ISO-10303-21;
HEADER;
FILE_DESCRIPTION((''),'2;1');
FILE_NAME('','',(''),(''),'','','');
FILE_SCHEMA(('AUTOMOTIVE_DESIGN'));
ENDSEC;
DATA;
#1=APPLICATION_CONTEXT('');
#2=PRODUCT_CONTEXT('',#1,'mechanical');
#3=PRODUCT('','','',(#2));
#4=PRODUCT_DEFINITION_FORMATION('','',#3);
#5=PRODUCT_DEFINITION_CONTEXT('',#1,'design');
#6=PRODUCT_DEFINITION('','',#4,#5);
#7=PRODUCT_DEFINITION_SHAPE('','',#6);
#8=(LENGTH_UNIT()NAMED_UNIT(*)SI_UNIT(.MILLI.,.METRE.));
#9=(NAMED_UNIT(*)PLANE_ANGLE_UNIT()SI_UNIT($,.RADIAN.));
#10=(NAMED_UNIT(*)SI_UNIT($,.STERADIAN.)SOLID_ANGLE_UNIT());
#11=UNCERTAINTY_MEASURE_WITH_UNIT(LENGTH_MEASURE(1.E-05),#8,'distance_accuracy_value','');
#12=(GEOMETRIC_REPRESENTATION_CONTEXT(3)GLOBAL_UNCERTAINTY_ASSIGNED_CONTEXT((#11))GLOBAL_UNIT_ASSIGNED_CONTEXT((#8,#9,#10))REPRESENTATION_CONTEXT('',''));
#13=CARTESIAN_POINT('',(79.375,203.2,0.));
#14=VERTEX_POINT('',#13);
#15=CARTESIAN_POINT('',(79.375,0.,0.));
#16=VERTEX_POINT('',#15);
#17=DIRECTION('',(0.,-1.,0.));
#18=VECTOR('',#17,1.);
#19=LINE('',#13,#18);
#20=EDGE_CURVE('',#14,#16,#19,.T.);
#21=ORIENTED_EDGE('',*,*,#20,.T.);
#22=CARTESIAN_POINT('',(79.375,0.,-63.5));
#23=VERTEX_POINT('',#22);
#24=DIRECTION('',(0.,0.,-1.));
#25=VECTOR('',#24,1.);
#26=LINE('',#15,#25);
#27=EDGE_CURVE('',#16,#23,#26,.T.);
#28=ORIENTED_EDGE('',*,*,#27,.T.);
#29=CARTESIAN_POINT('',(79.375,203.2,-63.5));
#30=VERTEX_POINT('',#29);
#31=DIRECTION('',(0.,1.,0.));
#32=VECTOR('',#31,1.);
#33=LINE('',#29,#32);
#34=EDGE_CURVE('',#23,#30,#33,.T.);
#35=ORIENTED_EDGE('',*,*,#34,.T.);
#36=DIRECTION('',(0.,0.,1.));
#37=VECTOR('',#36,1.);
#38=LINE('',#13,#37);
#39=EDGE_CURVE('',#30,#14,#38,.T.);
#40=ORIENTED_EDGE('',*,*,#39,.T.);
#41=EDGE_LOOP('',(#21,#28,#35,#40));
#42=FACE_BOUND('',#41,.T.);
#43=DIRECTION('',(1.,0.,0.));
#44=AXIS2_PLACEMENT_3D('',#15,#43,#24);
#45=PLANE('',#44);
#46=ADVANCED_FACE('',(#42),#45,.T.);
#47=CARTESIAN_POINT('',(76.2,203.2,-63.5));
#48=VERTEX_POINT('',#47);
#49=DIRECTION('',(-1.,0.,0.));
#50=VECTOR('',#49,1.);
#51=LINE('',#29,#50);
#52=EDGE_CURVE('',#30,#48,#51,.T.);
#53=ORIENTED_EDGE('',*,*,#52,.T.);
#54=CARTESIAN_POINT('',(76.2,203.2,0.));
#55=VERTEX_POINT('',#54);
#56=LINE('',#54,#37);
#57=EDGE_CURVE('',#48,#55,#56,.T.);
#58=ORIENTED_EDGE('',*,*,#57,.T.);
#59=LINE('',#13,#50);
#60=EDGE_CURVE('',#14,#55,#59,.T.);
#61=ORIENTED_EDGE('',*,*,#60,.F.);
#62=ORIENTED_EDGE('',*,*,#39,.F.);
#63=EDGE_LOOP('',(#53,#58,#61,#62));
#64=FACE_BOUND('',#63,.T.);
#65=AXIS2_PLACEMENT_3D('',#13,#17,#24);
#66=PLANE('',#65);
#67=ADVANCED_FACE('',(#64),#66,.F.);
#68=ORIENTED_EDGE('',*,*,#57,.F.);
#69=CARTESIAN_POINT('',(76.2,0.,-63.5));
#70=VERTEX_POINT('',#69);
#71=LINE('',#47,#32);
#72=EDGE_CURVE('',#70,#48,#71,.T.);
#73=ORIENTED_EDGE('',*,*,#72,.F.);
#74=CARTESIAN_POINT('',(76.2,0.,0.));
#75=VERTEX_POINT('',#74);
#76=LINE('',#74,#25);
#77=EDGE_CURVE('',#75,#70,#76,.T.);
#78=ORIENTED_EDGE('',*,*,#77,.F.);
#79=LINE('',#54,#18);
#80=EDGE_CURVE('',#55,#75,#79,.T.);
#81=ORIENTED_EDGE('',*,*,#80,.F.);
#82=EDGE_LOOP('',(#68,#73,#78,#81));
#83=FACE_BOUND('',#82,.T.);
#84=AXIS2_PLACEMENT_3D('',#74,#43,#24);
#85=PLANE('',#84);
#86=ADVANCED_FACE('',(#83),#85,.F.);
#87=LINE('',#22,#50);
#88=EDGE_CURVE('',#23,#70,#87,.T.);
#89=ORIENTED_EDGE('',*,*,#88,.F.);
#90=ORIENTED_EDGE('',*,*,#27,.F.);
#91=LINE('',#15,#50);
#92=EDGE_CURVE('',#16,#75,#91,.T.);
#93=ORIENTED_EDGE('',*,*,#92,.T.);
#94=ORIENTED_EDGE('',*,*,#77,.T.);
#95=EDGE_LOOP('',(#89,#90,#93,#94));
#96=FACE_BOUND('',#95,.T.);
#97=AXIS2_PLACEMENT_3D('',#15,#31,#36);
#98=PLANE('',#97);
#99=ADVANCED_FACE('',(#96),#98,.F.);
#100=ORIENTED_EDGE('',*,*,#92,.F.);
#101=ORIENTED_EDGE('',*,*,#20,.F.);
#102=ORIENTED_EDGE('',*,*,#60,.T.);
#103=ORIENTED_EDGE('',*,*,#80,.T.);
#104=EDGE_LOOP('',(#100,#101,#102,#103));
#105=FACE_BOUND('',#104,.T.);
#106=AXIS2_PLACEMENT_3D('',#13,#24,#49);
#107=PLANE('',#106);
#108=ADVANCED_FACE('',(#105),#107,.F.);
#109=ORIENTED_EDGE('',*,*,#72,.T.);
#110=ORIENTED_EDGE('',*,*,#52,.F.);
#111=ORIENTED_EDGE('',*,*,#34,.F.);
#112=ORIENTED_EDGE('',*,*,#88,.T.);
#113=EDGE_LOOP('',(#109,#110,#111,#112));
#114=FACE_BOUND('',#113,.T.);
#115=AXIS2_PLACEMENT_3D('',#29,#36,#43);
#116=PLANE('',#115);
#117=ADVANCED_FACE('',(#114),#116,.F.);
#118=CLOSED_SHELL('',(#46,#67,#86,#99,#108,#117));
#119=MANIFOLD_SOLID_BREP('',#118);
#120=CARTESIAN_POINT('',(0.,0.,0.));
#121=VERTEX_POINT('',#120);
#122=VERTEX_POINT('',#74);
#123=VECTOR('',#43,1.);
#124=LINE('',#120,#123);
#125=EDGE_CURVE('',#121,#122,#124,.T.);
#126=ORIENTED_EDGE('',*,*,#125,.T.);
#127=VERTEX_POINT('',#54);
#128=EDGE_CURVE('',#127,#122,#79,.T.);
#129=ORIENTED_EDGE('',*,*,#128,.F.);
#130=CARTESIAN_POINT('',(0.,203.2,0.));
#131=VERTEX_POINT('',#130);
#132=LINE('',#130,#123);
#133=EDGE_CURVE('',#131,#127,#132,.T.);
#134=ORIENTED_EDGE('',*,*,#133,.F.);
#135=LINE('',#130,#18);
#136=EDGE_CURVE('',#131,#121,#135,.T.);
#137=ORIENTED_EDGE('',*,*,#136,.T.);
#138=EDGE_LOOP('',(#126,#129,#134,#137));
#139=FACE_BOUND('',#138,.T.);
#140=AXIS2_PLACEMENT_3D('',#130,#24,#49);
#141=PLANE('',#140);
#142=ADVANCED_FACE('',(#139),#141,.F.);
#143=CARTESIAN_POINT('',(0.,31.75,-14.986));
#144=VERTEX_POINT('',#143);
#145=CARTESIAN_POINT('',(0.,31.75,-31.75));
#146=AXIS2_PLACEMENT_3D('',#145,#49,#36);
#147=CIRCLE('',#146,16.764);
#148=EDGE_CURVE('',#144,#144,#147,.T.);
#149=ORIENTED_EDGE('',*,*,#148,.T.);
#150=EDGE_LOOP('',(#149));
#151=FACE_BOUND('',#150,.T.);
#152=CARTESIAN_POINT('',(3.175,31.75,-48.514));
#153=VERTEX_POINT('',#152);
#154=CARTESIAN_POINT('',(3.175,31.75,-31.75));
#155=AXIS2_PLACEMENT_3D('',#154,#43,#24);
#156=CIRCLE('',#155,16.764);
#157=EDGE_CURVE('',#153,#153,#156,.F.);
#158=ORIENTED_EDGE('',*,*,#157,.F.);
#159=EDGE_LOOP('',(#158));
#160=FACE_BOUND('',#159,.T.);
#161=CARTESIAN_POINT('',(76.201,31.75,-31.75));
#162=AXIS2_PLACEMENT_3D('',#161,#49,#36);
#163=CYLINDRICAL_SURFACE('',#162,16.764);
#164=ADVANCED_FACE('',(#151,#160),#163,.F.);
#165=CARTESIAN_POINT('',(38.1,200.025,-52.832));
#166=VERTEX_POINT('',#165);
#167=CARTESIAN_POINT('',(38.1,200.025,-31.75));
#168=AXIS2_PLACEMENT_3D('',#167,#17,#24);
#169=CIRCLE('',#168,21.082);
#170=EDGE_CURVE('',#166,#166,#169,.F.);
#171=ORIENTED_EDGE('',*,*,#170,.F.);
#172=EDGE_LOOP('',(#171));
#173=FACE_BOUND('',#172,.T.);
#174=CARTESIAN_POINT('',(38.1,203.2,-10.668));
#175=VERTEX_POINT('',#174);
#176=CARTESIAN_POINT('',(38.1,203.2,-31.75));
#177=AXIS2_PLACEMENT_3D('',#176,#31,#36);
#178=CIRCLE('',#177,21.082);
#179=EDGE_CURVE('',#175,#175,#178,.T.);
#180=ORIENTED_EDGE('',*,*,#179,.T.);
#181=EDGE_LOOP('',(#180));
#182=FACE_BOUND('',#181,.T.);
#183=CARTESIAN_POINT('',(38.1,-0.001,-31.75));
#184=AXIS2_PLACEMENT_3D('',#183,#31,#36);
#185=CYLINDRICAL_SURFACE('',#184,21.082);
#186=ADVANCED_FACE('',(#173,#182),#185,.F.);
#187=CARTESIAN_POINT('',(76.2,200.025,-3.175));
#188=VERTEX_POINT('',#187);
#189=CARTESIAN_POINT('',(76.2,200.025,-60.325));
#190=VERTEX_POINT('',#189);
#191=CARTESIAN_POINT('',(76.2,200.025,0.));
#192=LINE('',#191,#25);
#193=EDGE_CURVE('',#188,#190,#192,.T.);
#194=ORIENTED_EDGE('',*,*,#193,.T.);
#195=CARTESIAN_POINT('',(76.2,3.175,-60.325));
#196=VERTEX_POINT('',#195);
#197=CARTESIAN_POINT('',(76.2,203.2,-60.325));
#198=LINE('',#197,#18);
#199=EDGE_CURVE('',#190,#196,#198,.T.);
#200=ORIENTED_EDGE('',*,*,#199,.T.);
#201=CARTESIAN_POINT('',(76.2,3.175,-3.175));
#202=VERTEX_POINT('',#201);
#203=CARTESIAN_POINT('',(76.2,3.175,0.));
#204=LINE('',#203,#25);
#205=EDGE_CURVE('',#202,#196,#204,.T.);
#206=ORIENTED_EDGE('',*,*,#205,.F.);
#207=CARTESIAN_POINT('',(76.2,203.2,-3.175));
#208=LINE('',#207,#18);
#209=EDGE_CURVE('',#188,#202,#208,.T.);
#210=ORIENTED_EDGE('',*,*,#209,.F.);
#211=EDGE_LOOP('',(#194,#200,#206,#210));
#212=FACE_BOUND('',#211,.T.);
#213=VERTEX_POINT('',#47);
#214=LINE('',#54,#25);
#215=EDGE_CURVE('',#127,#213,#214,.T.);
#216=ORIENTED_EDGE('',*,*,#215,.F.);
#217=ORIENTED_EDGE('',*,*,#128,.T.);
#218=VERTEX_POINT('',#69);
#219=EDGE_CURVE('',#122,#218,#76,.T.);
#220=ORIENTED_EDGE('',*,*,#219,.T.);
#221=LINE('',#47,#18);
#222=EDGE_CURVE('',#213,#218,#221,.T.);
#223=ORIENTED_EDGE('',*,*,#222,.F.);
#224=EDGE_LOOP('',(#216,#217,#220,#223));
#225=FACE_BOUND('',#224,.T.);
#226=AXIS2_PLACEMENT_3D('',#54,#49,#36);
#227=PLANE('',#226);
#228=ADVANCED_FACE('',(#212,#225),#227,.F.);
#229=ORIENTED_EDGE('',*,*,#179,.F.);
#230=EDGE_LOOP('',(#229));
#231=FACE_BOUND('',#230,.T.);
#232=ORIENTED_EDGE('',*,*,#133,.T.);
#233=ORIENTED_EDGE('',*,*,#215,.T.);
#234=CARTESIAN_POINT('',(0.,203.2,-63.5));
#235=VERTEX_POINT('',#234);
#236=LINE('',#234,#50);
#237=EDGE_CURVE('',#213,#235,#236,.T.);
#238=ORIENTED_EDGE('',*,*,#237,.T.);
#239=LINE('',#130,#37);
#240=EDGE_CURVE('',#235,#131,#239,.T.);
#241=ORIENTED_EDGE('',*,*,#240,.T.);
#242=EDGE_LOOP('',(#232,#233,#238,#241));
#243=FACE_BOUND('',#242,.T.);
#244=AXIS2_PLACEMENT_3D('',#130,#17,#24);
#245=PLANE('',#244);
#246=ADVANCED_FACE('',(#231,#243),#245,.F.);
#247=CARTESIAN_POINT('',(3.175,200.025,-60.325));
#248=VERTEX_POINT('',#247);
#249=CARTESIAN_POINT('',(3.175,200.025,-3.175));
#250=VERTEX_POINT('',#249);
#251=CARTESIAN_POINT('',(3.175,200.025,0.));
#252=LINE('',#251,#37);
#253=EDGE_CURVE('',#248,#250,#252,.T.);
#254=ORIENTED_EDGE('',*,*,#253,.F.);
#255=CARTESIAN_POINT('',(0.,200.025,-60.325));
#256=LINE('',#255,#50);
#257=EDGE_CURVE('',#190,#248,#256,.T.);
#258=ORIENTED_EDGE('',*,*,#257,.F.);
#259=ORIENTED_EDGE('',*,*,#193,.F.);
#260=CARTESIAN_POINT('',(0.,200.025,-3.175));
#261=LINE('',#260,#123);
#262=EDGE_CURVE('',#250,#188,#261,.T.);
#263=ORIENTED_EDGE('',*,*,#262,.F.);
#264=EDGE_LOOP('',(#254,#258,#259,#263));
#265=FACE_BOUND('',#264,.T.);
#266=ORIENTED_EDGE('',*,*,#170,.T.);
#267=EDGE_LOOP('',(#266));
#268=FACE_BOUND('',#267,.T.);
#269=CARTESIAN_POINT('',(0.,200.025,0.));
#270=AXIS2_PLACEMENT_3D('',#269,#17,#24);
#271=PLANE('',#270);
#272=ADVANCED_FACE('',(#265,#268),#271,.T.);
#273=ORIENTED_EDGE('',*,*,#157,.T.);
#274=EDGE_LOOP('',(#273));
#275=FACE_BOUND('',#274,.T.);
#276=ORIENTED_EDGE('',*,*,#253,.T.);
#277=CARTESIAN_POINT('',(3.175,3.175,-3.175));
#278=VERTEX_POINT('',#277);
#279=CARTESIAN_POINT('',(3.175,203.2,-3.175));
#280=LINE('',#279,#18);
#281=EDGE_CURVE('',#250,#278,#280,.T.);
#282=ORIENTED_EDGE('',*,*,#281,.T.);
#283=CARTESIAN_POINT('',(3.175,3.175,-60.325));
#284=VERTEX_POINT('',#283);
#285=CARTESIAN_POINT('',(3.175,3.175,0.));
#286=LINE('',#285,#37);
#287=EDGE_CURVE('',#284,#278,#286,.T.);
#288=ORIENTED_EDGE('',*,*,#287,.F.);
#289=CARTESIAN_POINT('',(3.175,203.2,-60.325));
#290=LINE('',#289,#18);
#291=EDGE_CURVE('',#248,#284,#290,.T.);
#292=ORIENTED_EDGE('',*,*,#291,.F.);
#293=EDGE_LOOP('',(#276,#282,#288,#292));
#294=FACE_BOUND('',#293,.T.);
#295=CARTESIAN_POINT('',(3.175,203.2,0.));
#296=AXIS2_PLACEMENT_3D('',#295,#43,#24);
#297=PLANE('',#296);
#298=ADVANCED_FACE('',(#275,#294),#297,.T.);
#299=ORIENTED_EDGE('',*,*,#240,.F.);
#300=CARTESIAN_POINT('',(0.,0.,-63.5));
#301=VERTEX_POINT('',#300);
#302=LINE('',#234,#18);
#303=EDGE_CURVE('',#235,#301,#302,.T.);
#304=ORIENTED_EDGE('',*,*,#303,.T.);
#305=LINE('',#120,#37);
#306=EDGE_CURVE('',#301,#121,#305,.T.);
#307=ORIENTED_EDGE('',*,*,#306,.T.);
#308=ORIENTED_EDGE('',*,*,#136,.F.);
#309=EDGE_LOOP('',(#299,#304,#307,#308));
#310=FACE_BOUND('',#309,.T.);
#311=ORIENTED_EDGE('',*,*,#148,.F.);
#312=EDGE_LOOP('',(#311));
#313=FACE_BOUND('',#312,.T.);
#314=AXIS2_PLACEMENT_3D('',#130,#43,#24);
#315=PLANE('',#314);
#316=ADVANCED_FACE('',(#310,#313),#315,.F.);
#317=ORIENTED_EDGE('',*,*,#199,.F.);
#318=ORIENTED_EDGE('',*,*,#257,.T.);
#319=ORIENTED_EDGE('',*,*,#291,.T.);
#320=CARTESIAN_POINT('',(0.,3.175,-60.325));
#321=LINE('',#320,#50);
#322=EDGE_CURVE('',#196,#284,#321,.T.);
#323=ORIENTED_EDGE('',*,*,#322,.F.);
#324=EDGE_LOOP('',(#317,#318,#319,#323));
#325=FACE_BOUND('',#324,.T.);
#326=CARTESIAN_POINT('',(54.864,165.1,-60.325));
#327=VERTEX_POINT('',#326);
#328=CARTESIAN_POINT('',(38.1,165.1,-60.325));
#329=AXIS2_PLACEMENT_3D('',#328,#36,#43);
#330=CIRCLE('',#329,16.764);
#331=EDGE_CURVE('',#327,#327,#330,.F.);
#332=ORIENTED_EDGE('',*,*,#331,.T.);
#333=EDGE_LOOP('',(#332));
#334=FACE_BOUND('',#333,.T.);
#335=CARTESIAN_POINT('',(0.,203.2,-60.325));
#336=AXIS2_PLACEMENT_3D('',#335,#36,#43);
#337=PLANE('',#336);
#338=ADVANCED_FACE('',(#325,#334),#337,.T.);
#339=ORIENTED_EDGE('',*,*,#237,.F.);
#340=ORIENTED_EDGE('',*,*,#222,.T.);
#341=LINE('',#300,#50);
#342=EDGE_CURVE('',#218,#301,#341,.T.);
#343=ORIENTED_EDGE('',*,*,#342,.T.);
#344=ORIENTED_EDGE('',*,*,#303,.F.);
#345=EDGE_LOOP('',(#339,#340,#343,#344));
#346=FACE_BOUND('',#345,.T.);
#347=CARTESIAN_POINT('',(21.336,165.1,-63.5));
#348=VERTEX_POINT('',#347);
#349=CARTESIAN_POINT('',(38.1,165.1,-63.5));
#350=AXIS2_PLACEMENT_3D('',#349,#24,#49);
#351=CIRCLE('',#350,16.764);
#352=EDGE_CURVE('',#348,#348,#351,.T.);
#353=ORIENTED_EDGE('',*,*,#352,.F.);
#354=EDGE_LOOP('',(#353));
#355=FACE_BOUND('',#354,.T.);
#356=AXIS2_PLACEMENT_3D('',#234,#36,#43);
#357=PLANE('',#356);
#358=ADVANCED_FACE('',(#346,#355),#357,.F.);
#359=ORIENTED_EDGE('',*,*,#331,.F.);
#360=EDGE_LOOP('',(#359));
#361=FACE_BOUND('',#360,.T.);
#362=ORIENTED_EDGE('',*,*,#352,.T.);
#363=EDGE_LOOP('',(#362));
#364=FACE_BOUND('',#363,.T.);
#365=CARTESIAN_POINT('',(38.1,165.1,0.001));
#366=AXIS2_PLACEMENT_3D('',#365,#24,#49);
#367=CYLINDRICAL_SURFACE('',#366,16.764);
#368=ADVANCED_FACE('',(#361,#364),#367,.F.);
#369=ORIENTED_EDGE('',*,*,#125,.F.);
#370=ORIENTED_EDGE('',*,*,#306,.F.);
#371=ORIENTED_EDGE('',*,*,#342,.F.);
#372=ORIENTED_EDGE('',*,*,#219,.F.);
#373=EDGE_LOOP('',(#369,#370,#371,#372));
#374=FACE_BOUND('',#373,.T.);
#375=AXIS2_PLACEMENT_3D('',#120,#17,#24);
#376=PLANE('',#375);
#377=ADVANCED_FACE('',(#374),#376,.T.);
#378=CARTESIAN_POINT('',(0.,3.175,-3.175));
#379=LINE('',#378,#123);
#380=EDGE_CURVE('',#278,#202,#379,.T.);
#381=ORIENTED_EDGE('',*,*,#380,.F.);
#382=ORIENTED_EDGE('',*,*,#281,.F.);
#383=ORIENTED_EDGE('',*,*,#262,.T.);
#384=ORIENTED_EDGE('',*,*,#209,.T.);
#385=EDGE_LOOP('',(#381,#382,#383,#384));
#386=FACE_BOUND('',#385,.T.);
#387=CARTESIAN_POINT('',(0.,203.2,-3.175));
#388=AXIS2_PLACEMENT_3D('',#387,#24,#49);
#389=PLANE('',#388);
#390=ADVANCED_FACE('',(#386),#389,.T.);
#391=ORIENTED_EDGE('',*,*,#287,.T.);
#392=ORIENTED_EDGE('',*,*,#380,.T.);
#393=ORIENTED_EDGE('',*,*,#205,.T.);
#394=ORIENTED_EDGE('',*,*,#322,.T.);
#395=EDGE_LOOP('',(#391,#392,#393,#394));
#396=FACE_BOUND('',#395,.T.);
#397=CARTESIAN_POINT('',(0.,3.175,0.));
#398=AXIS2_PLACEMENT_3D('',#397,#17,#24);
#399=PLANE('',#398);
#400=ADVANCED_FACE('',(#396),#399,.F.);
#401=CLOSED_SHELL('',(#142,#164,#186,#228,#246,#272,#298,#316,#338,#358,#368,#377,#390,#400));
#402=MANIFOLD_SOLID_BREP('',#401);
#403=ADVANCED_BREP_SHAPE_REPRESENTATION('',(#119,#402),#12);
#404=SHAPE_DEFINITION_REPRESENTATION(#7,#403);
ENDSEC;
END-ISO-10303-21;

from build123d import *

# Parameters (mm, degrees)
SKETCH1_W           = 76.2
SKETCH1_H           = 63.5
BOSS_EXTRUDE1_DEPTH = 203.2
SHELL1_T            = -3.175
CUT_EXTRUDE1_REACH  = 205.2
SKETCH2_R           = 21.082
CUT_EXTRUDE2_REACH  = 65.5
SKETCH3_R           = 16.764
CUT_EXTRUDE3_REACH  = 78.2
SKETCH4_R           = 16.764
SKETCH5_W           = 63.5
SKETCH5_H           = 203.2
BOSS_EXTRUDE2_DEPTH = 3.175


with BuildPart() as part:
    # Sketch1 → Boss-Extrude1 (new body)
    with BuildSketch(Plane(origin=(0, 0, 0), x_dir=(1, 0, 0), z_dir=(0, 1, 0))):
        with Locations((38.1, 31.75)):
            Rectangle(SKETCH1_W, SKETCH1_H)
    extrude(amount=BOSS_EXTRUDE1_DEPTH)

    # Shell1
    shell1_openings = [part.faces().sort_by_distance(p)[0] for p in [
        (76.2, 101.6, -31.75),
    ]]
    offset(amount=SHELL1_T, openings=shell1_openings, kind=Kind.INTERSECTION)

    # Sketch2 → Cut-Extrude1 (cut, up to next)
    with BuildSketch(Plane(origin=(0, 203.2, 0), x_dir=(1, 0, 0), z_dir=(0, 1, 0)), mode=Mode.PRIVATE) as cut_extrude1_sk1:
        with Locations((38.1, 31.75)):
            Circle(SKETCH2_R)
    cut_extrude1_tool1 = extrude(cut_extrude1_sk1.sketch, amount=-CUT_EXTRUDE1_REACH, mode=Mode.PRIVATE) & part.part
    add(cut_extrude1_tool1.solids().sort_by_distance((38.1, 203.2, -31.75))[0], mode=Mode.SUBTRACT)

    # Sketch3 → Cut-Extrude2 (cut, up to next)
    with BuildSketch(Plane(origin=(0, 0, -63.5), x_dir=(-1, 0, 0), z_dir=(0, 0, -1)), mode=Mode.PRIVATE) as cut_extrude2_sk1:
        with Locations((-38.1, 165.1)):
            Circle(SKETCH3_R)
    cut_extrude2_tool1 = extrude(cut_extrude2_sk1.sketch, amount=-CUT_EXTRUDE2_REACH, mode=Mode.PRIVATE) & part.part
    add(cut_extrude2_tool1.solids().sort_by_distance((38.1, 165.1, -63.5))[0], mode=Mode.SUBTRACT)

    # Sketch4 → Cut-Extrude3 (cut, up to next)
    with BuildSketch(Plane.ZY, mode=Mode.PRIVATE) as cut_extrude3_sk1:
        with Locations((-31.75, 31.75)):
            Circle(SKETCH4_R)
    cut_extrude3_tool1 = extrude(cut_extrude3_sk1.sketch, amount=-CUT_EXTRUDE3_REACH, mode=Mode.PRIVATE) & part.part
    add(cut_extrude3_tool1.solids().sort_by_distance((0, 31.75, -31.75))[0], mode=Mode.SUBTRACT)


with BuildPart() as body_2:
    # Sketch5 → Boss-Extrude2 (new body)
    with BuildSketch(Plane(origin=(76.2, 0, 0), x_dir=(0, 0, -1), z_dir=(1, 0, 0))):
        with Locations((31.75, 101.6)):
            Rectangle(SKETCH5_W, SKETCH5_H)
    extrude(amount=BOSS_EXTRUDE2_DEPTH)


solid = Compound([part.part, body_2.part])
